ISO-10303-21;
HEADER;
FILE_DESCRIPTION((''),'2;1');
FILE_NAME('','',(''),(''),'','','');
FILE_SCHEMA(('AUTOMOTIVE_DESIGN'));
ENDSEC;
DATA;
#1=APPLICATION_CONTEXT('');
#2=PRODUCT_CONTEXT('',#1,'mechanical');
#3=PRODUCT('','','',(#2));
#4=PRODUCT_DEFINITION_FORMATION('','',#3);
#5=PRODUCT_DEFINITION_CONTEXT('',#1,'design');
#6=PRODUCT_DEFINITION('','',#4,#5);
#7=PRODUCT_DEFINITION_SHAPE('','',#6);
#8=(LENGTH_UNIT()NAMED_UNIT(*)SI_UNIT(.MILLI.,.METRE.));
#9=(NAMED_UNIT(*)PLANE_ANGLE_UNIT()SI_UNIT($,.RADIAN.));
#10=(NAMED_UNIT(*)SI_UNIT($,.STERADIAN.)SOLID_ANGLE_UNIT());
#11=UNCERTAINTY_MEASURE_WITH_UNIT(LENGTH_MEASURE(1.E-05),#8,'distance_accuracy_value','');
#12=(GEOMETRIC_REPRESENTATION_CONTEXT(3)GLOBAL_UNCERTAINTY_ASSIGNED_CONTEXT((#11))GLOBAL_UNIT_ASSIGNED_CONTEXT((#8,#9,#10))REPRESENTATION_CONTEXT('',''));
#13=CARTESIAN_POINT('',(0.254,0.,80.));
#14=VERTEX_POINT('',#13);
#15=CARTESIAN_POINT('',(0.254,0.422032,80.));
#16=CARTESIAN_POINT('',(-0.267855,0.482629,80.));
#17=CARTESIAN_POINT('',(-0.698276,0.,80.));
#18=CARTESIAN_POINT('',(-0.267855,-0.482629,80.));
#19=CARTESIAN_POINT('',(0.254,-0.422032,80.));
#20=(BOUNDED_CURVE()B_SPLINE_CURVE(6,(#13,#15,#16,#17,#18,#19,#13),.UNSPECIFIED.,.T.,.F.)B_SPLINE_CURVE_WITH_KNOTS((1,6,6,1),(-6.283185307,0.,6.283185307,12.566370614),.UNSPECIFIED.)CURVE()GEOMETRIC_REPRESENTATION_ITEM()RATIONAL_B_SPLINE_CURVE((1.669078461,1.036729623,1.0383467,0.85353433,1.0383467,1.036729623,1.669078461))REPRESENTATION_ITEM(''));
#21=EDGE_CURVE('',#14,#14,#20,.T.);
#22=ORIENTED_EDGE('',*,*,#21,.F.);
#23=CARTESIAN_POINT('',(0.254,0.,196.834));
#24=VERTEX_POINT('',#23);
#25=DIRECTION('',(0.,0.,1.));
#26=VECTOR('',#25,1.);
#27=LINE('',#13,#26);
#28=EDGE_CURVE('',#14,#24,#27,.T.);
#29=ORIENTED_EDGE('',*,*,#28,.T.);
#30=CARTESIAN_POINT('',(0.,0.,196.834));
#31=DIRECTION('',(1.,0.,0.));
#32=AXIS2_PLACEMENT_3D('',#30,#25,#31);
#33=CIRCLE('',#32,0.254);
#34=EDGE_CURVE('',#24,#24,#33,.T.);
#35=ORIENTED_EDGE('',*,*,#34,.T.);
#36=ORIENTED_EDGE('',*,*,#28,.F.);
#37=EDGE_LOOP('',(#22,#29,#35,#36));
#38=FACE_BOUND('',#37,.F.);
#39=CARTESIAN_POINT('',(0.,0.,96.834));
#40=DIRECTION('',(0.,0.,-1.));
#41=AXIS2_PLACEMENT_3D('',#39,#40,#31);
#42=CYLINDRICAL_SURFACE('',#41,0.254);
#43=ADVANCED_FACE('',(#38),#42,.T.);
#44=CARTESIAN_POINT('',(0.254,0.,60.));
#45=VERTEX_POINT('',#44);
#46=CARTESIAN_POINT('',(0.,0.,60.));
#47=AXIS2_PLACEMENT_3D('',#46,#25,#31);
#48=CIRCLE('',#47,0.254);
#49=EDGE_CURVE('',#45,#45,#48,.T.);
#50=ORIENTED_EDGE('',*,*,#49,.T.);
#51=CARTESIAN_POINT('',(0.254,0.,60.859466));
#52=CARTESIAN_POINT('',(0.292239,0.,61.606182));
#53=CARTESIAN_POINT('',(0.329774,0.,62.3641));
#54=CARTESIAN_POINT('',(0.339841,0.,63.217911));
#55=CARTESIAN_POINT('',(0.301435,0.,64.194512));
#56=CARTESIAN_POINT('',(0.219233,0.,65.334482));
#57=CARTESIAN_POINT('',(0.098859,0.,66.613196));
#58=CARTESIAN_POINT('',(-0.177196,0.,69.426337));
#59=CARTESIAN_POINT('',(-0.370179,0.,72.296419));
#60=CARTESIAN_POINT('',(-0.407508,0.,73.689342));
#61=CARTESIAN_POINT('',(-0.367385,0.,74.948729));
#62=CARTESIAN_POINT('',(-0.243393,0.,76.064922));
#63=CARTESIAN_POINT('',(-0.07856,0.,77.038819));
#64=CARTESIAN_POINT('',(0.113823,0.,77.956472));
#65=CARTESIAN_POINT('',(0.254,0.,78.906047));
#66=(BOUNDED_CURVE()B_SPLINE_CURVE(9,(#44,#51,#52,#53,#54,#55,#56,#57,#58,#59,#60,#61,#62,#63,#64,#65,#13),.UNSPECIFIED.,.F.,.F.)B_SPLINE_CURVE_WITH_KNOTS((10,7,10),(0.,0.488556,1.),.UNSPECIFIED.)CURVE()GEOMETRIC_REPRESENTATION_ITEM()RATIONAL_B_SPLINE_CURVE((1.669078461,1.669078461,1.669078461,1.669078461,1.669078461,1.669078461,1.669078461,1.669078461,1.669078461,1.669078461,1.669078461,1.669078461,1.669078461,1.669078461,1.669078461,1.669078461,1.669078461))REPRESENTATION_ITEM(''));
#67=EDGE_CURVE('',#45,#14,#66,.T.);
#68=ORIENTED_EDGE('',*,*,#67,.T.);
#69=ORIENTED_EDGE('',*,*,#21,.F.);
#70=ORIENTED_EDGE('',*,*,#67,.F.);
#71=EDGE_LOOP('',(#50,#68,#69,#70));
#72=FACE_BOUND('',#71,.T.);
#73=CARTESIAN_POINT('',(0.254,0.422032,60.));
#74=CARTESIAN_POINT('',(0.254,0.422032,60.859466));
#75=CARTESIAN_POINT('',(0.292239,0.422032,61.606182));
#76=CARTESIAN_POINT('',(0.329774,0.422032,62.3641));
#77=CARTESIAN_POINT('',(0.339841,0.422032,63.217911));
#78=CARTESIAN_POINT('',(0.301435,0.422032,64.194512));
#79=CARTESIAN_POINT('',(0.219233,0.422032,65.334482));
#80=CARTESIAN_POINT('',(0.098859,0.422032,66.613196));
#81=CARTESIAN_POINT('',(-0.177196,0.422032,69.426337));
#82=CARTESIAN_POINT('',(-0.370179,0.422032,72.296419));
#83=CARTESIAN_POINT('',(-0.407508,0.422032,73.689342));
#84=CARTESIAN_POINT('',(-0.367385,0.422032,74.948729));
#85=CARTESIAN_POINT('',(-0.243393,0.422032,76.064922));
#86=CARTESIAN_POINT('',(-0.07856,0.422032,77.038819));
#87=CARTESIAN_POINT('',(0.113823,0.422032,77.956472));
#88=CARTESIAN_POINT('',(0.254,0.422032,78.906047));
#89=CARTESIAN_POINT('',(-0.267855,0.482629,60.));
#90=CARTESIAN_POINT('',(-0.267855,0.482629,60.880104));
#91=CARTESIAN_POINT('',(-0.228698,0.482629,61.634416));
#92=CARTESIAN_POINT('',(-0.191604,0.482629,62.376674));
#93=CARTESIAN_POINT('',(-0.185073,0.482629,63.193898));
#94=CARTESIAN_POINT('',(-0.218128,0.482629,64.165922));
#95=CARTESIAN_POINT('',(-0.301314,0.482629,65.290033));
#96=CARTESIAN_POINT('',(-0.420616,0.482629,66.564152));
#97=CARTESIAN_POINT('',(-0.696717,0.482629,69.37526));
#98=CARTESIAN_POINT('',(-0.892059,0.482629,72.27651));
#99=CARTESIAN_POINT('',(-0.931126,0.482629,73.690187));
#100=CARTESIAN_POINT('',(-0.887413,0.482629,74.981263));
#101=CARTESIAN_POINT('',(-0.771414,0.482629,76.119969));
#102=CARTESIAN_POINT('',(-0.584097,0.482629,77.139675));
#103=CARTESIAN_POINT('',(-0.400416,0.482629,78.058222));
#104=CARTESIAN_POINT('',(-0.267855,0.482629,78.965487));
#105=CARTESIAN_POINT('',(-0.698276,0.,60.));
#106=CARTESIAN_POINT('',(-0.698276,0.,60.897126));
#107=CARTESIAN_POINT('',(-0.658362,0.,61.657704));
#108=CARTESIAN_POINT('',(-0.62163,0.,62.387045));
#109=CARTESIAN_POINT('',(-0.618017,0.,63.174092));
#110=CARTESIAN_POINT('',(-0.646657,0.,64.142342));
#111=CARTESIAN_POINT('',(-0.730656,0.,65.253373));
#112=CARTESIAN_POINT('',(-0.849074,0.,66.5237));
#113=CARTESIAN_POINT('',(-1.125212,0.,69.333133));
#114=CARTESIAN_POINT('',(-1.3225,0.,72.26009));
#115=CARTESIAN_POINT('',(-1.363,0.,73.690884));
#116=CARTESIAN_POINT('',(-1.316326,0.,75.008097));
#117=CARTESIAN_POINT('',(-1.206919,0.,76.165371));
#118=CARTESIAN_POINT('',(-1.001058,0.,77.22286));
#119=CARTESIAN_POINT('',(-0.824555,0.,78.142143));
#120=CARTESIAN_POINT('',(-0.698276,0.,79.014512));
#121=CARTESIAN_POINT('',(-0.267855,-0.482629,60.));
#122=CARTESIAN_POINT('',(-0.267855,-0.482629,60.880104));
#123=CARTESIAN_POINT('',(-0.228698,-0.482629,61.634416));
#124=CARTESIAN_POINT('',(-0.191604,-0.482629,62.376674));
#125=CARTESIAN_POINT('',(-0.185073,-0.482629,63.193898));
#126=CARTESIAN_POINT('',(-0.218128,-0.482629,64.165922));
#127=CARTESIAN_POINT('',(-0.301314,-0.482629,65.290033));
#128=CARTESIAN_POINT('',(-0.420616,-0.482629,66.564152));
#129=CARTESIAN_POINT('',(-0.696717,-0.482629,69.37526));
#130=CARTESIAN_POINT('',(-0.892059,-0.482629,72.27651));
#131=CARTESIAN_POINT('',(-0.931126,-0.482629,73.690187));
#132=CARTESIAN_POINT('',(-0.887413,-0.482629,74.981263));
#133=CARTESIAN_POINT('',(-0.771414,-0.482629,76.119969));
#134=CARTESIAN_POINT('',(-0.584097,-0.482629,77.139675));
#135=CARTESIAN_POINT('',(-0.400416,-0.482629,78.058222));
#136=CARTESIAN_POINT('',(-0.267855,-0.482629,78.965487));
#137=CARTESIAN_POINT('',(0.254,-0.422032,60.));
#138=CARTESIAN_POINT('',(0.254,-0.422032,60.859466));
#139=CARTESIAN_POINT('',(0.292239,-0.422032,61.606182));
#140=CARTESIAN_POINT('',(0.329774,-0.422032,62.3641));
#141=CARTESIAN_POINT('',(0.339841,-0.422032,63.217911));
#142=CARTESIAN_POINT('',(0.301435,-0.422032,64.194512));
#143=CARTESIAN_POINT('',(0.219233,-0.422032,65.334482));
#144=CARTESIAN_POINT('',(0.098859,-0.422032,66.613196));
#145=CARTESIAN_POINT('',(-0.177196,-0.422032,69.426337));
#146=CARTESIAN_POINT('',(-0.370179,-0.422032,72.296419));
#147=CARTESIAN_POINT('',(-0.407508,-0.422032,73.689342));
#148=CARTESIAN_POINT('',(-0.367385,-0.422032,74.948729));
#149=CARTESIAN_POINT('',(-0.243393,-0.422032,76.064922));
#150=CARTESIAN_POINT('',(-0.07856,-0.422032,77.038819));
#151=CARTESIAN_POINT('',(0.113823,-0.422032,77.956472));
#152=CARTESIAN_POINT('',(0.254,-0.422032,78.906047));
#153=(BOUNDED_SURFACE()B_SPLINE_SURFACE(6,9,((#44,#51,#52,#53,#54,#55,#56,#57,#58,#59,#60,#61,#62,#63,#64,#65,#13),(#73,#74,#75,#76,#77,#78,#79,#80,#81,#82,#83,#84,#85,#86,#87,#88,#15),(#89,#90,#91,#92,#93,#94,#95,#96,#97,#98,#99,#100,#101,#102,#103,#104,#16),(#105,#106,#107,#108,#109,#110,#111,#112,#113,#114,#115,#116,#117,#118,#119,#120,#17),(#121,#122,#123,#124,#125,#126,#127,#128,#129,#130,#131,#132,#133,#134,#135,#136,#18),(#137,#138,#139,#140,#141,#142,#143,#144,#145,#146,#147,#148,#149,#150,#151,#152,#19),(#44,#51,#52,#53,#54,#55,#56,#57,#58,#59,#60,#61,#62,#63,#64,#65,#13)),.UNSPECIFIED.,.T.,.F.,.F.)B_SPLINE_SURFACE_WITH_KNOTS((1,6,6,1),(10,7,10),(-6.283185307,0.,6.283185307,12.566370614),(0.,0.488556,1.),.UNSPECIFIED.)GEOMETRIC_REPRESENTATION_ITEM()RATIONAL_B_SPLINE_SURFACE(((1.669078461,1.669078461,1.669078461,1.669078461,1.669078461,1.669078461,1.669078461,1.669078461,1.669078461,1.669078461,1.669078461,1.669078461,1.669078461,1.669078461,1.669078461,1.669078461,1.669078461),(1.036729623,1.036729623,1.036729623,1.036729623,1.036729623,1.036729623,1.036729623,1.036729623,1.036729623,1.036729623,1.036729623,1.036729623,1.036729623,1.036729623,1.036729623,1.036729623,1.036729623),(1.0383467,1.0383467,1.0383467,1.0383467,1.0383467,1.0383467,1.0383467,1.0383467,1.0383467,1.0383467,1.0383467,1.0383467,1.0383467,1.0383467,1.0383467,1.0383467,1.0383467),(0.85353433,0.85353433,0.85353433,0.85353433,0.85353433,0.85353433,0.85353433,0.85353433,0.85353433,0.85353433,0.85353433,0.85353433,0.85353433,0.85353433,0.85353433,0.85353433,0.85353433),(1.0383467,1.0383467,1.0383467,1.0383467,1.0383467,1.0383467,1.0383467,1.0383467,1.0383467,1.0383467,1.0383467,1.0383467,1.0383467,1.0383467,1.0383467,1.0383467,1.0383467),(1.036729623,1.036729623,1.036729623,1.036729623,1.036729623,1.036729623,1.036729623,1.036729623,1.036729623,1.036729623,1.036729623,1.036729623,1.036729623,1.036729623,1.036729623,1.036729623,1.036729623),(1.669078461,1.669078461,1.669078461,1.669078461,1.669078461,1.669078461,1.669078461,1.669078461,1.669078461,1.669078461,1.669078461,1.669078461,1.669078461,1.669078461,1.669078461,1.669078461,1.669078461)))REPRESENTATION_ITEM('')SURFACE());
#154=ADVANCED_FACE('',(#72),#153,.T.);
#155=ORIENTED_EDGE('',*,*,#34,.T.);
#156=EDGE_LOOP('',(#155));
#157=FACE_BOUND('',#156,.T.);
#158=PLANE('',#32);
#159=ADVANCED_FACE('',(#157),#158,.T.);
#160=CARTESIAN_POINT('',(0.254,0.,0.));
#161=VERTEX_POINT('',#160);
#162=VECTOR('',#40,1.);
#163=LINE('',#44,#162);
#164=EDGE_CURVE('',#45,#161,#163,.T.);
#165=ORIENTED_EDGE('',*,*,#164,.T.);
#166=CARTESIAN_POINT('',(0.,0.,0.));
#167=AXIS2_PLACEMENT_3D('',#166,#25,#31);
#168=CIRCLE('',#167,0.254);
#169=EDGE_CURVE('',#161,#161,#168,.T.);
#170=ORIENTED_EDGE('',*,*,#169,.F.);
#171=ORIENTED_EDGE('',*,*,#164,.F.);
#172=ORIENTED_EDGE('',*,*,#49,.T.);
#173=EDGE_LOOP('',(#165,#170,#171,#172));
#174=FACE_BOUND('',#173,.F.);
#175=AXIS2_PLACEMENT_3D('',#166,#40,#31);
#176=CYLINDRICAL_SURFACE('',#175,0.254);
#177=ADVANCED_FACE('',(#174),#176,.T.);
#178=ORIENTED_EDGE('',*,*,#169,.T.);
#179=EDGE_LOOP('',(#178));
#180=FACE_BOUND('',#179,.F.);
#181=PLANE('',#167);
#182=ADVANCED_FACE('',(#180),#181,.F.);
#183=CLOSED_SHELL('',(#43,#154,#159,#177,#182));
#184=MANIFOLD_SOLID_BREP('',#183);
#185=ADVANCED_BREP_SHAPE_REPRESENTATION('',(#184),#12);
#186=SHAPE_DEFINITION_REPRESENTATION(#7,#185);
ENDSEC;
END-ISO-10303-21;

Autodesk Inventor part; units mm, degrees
ref_plane "YZ Plane" through (0, 0, 0) normal (1, 0, 0) x (0, 1, 0)
ref_plane "XZ Plane" through (0, 0, 0) normal (0, 1, 0) x (-1, 0, 0)
ref_plane "XY Plane" through (0, 0, 0) normal (0, 0, 1) x (1, 0, 0)
sketch "Sketch1" plane through (0, 0, 0) normal (0, 0, 1) x (1, 0, 0)
  circle A0 centre (0, 0) radius 0.254
  dimension "d0" = 0.508
extrude "Extrusion1" add sketch "Sketch1" along normal blind 60
ref_plane "Work Plane1" through (0, 0, 80) normal (0, 0, 1) x (1, 0, 0)
sketch "Sketch2" plane through (0, 0, 80) normal (0, 0, 1) x (1, 0, 0)
  circle A0 centre (0, 0) radius 0.254
  dimension "d4" = 0.508
sketch "Sketch3" plane through (0, 0, 0) normal (0, 1, 0) x (-1, 0, 0)
  line L0 (0, -16) -> (0, 96) projected
  line L1 (-0.254, 60) -> (0.254, 60) projected
  line L2 (-0.506, 80) -> (0.9159, 80) projected
  spline S0 degree 4 poles (0, 60) (0, 61.9564) (-0.4751, 64.4982) (1.601, 74.5143) (0, 77.6037) (0, 80) knots 0 0 0 0 0 0.488556 1 1 1 1 1
  line L3 (0, 60) -> (0, 58.4828)
  line L4 (0, 80) -> (0, 96.834)
  point P0 (0, 0)
  point P1 (0, 64.3838)
  point P2 (0.5789, 74.0552)
sketch "Sketch4" plane through (0, 0, 60) normal (0, 0, 1) x (1, 0, 0)
  circle A0 centre (0, 0) radius 0.254 projected
sweep "Sweep1" add profiles "Sketch2" path "Sketch3" path curves L4 S0 L3
sketch "Sketch5" plane through (0, 0, 96.834) normal (0, 0, 1) x (1, 0, 0)
  circle A0 centre (0, 0) radius 0.254 projected
extrude "Extrusion2" add sketch "Sketch5" along normal blind 100
properties part number "OCT_Probe"
